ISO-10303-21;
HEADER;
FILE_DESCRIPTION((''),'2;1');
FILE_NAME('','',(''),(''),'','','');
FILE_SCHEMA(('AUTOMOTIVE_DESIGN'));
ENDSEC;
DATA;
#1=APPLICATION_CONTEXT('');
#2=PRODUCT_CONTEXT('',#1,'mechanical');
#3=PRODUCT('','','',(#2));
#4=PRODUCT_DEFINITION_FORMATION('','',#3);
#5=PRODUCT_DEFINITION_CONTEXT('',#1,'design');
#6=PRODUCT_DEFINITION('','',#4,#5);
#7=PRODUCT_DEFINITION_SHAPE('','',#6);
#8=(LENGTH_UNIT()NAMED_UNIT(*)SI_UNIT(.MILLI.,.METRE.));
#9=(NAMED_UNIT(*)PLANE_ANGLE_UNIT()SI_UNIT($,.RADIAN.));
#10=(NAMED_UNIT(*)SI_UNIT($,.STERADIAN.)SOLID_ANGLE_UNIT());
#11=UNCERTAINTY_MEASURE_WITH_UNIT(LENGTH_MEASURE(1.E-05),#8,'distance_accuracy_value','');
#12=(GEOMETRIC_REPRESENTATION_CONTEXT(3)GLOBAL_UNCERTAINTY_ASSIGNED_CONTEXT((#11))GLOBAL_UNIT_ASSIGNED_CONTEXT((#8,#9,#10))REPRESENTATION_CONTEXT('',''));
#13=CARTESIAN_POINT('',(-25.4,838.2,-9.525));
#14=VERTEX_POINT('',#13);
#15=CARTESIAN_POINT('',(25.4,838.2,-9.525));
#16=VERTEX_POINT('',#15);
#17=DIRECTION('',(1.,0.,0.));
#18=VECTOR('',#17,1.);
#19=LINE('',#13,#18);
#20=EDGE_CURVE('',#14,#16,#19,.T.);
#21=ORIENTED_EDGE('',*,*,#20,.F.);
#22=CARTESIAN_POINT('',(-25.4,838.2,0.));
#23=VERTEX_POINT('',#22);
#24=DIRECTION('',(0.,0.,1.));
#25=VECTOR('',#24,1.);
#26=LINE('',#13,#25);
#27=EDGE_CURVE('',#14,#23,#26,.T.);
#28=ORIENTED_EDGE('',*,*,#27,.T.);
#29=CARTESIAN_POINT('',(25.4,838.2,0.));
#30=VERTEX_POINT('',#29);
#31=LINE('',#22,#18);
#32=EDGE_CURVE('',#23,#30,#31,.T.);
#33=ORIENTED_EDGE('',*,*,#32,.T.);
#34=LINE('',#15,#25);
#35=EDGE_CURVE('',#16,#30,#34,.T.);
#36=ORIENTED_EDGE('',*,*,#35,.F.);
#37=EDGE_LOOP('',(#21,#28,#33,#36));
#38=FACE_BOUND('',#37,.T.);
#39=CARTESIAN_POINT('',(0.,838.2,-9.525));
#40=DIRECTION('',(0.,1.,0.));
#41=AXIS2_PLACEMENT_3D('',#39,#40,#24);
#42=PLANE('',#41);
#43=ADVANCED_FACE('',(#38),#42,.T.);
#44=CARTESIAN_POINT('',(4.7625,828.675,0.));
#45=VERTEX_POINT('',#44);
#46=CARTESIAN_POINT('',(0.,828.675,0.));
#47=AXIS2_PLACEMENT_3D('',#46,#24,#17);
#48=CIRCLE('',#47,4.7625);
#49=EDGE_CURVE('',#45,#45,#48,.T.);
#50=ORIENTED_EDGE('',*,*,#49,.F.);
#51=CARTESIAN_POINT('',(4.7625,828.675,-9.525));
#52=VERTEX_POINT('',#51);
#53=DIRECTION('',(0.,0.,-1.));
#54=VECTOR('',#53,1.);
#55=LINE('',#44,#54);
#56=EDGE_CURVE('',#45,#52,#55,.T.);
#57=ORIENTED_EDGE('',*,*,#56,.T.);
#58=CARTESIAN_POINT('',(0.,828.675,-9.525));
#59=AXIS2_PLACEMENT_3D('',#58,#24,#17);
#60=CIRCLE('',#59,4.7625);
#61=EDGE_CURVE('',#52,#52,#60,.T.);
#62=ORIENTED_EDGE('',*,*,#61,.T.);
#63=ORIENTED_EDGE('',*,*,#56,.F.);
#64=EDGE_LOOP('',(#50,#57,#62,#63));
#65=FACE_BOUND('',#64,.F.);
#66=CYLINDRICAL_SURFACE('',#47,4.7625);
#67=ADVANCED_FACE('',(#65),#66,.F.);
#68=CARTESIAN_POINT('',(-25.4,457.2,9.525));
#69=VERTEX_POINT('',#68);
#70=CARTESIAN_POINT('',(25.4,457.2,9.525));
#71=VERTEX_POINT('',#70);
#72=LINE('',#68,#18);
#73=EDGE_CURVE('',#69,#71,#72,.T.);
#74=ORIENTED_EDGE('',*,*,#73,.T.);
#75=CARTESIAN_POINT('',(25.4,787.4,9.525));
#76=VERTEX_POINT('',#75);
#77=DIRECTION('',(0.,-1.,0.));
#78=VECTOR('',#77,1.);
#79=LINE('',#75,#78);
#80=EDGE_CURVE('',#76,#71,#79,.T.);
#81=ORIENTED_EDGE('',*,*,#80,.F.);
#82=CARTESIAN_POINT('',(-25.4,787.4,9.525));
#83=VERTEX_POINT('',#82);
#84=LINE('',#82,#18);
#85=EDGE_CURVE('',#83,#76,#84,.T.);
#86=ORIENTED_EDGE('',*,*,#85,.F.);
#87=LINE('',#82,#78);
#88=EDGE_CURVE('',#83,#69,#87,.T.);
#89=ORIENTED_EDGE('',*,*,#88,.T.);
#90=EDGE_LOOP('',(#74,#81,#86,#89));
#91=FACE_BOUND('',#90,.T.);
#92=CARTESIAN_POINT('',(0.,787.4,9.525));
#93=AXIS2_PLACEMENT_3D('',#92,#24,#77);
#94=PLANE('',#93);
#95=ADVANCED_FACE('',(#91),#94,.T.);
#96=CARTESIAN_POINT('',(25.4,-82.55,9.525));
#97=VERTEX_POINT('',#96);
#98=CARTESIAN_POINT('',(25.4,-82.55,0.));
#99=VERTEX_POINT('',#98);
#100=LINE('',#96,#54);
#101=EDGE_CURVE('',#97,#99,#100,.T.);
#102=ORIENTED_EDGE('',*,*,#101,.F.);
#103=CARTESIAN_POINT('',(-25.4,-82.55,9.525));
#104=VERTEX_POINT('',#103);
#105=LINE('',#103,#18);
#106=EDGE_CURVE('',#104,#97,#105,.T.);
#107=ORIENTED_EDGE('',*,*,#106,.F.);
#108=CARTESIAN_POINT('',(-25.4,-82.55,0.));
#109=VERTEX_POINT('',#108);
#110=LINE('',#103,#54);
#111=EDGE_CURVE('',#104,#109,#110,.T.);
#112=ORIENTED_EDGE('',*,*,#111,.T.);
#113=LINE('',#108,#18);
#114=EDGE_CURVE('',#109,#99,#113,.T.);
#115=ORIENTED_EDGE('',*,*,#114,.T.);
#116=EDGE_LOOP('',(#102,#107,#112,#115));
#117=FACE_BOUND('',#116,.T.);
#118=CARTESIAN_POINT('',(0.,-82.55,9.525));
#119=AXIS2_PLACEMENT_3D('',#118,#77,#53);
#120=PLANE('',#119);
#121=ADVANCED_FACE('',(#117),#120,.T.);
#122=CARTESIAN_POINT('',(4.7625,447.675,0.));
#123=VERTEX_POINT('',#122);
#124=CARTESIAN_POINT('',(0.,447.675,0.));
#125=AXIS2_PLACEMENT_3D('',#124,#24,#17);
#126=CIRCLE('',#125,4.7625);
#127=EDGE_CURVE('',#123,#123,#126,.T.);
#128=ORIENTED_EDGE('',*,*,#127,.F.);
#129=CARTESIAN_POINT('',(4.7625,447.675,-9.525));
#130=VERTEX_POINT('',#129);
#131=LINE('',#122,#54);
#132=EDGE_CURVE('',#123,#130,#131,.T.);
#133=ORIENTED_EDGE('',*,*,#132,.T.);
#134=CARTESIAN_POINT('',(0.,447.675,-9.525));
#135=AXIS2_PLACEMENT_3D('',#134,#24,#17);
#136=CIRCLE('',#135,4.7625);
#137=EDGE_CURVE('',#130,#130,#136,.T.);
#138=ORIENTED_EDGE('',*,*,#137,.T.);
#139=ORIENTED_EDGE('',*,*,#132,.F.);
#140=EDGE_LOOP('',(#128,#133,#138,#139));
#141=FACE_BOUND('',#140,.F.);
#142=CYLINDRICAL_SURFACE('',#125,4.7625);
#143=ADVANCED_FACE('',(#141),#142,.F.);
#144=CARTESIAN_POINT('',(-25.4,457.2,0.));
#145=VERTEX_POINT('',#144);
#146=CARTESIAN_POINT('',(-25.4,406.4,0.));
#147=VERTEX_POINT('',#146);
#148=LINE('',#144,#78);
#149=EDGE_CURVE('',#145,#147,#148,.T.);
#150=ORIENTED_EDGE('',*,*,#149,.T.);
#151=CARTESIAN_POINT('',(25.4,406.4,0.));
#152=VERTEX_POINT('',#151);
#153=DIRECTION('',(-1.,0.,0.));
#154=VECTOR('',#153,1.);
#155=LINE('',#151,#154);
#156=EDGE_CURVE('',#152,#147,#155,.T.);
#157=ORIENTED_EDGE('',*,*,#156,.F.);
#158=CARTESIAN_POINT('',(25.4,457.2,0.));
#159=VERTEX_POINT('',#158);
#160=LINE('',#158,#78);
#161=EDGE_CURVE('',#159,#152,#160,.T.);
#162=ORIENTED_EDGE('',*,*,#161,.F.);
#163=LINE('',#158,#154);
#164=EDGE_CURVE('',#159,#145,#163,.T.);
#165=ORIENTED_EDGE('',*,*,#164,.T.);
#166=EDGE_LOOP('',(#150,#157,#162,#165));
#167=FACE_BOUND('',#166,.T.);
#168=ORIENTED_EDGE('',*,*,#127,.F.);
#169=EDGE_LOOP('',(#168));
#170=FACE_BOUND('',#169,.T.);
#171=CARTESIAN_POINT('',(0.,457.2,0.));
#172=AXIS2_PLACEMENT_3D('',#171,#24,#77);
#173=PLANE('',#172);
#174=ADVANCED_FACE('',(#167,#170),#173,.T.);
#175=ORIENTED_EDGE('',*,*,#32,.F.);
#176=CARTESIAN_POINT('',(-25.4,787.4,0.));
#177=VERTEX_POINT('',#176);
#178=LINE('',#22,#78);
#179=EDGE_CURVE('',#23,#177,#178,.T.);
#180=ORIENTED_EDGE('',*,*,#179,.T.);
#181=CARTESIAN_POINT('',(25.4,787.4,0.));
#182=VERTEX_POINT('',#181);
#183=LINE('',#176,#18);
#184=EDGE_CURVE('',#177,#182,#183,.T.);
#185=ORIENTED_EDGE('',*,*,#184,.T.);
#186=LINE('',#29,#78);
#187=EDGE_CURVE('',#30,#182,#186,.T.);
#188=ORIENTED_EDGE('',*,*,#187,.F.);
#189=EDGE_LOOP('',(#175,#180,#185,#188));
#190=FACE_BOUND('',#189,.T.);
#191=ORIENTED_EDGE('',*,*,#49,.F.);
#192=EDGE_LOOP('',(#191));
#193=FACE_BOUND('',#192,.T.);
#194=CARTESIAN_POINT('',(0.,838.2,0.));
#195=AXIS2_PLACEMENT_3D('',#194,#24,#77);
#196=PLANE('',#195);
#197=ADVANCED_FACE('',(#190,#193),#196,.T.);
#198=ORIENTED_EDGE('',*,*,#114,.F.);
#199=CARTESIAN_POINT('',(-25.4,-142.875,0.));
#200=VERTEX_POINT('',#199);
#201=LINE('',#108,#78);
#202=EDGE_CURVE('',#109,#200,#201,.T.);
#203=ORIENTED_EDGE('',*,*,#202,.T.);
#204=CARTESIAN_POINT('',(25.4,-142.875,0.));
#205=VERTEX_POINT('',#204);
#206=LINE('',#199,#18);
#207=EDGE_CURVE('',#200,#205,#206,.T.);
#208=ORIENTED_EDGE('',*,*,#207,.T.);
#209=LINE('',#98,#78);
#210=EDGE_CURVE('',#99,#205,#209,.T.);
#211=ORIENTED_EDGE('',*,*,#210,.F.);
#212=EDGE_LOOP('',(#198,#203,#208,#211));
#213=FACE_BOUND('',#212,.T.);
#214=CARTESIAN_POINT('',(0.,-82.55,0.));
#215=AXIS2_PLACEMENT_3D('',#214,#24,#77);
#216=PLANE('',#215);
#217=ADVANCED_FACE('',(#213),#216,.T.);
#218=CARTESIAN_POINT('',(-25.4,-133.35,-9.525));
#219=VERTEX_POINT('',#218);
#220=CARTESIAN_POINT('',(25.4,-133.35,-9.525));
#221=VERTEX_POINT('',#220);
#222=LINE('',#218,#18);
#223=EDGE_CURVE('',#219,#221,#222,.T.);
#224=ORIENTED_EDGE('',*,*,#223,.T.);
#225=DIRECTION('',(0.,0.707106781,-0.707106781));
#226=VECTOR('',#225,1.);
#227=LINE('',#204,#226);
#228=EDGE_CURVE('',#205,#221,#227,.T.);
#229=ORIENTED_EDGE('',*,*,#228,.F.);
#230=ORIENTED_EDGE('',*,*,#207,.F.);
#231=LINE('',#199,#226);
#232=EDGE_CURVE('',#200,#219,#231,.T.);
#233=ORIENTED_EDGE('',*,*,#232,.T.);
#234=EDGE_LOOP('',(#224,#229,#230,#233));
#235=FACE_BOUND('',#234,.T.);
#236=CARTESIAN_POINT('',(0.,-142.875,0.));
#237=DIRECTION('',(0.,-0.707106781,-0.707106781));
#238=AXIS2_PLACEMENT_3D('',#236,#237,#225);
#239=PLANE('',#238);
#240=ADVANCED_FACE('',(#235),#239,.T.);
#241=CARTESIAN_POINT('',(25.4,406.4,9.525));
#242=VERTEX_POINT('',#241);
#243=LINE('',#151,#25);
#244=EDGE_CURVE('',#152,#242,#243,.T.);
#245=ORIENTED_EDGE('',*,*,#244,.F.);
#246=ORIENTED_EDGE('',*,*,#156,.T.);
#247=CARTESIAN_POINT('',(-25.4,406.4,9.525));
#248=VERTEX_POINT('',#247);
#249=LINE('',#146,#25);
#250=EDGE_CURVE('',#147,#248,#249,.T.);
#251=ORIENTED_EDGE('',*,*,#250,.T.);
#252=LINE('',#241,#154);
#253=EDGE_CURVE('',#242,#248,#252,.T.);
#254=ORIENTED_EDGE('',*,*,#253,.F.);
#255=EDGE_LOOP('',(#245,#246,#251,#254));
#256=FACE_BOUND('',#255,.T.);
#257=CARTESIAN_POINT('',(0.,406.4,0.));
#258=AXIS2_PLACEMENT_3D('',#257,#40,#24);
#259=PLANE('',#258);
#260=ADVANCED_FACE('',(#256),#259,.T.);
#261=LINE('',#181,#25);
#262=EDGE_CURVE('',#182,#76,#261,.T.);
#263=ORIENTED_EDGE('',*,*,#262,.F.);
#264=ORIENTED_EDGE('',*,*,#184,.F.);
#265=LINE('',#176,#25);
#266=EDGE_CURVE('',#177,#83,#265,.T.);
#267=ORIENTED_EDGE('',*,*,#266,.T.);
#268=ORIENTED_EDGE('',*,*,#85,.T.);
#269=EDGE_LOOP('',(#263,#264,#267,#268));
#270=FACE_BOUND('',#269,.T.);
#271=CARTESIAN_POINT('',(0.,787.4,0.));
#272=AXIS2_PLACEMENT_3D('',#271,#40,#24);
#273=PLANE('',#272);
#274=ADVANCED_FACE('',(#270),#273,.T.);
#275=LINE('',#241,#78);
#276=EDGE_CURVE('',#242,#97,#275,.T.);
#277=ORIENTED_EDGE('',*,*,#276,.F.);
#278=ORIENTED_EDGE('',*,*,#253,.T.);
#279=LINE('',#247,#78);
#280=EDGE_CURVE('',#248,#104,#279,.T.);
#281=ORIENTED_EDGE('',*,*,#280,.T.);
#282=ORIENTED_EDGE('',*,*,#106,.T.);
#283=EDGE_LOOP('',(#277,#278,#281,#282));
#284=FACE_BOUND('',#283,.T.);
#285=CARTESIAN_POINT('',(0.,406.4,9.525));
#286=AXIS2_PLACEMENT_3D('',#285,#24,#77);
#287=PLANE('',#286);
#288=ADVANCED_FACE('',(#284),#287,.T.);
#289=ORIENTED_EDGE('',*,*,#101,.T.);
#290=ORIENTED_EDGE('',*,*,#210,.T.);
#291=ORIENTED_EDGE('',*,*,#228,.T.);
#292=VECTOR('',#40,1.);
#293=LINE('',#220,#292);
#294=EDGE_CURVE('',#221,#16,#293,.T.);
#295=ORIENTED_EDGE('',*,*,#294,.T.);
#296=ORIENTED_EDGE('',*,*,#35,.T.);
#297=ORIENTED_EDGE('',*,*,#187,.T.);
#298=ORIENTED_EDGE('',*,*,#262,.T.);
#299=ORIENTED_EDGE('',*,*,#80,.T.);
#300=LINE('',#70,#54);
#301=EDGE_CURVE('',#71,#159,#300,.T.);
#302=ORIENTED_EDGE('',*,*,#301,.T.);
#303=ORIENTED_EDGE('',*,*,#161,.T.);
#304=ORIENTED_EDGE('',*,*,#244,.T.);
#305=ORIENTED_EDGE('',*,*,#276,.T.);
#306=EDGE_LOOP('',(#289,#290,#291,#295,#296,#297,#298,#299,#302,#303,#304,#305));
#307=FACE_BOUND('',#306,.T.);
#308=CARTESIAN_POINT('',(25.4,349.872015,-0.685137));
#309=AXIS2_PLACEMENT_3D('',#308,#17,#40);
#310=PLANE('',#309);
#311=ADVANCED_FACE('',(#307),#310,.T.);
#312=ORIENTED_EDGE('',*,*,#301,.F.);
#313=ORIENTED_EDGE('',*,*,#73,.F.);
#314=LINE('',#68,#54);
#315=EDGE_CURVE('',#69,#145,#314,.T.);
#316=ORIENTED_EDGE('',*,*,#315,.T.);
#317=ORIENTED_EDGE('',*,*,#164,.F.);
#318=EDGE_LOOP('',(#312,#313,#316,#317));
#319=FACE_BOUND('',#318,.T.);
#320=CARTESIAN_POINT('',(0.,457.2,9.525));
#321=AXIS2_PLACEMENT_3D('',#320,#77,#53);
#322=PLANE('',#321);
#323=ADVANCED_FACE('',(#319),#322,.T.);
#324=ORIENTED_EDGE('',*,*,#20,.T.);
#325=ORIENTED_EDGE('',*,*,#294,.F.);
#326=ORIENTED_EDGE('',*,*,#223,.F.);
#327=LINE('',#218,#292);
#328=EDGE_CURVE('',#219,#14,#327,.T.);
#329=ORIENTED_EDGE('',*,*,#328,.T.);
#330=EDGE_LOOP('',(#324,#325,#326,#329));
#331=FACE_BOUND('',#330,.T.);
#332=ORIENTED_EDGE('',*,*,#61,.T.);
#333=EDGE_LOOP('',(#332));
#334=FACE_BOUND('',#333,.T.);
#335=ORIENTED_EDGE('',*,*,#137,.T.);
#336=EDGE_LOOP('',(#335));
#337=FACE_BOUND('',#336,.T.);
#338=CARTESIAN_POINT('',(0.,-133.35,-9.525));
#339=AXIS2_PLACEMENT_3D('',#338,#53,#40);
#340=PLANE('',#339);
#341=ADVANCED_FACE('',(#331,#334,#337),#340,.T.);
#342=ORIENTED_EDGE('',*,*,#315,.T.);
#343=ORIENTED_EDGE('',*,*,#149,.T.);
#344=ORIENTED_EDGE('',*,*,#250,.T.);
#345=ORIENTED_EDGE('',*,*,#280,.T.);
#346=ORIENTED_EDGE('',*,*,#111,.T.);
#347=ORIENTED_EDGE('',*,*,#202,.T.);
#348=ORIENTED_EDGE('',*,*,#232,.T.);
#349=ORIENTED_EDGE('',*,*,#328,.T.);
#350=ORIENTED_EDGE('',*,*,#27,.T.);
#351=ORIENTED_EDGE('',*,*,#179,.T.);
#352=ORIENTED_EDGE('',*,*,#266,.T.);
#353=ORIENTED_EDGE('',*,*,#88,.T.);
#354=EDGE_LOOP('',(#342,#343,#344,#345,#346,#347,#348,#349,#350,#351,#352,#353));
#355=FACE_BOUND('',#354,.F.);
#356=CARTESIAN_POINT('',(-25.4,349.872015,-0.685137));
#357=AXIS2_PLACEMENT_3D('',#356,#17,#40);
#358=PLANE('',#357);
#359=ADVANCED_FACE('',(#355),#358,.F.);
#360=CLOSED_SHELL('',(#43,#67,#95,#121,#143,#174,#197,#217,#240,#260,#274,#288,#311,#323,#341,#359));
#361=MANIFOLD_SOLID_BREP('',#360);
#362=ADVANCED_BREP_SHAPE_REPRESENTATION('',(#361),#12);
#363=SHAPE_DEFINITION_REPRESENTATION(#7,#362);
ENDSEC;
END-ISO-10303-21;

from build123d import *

# Parameters (mm, degrees)
F1_DEPTH = 25.4
F2_R     = 4.7625
F3_DEPTH = 25.4


with BuildPart() as f1:
    # F0 (on Right) → F1 (new body, symmetric)
    with BuildSketch(Plane.YZ):
        Polygon((406.4, 9.525), (0, 9.525), (-82.55, 9.525), (-82.55, 0), (-142.875, 0), (-133.35, -9.525), (-33.290768, -9.525), (838.2, -9.525), (838.2, 0), (787.4, 0), (787.4, 9.525), (457.2, 9.525), (457.2, 0), (406.4, 0), align=None)
    extrude(amount=F1_DEPTH, both=True)

    # F2 (on Top) → F3 (cut)
    with BuildSketch(Plane.XY):
        with Locations((0, 828.675)):
            Circle(F2_R)
        with Locations((0, 447.675)):
            Circle(F2_R)
    extrude(amount=-F3_DEPTH, mode=Mode.SUBTRACT)


solid = f1.part
